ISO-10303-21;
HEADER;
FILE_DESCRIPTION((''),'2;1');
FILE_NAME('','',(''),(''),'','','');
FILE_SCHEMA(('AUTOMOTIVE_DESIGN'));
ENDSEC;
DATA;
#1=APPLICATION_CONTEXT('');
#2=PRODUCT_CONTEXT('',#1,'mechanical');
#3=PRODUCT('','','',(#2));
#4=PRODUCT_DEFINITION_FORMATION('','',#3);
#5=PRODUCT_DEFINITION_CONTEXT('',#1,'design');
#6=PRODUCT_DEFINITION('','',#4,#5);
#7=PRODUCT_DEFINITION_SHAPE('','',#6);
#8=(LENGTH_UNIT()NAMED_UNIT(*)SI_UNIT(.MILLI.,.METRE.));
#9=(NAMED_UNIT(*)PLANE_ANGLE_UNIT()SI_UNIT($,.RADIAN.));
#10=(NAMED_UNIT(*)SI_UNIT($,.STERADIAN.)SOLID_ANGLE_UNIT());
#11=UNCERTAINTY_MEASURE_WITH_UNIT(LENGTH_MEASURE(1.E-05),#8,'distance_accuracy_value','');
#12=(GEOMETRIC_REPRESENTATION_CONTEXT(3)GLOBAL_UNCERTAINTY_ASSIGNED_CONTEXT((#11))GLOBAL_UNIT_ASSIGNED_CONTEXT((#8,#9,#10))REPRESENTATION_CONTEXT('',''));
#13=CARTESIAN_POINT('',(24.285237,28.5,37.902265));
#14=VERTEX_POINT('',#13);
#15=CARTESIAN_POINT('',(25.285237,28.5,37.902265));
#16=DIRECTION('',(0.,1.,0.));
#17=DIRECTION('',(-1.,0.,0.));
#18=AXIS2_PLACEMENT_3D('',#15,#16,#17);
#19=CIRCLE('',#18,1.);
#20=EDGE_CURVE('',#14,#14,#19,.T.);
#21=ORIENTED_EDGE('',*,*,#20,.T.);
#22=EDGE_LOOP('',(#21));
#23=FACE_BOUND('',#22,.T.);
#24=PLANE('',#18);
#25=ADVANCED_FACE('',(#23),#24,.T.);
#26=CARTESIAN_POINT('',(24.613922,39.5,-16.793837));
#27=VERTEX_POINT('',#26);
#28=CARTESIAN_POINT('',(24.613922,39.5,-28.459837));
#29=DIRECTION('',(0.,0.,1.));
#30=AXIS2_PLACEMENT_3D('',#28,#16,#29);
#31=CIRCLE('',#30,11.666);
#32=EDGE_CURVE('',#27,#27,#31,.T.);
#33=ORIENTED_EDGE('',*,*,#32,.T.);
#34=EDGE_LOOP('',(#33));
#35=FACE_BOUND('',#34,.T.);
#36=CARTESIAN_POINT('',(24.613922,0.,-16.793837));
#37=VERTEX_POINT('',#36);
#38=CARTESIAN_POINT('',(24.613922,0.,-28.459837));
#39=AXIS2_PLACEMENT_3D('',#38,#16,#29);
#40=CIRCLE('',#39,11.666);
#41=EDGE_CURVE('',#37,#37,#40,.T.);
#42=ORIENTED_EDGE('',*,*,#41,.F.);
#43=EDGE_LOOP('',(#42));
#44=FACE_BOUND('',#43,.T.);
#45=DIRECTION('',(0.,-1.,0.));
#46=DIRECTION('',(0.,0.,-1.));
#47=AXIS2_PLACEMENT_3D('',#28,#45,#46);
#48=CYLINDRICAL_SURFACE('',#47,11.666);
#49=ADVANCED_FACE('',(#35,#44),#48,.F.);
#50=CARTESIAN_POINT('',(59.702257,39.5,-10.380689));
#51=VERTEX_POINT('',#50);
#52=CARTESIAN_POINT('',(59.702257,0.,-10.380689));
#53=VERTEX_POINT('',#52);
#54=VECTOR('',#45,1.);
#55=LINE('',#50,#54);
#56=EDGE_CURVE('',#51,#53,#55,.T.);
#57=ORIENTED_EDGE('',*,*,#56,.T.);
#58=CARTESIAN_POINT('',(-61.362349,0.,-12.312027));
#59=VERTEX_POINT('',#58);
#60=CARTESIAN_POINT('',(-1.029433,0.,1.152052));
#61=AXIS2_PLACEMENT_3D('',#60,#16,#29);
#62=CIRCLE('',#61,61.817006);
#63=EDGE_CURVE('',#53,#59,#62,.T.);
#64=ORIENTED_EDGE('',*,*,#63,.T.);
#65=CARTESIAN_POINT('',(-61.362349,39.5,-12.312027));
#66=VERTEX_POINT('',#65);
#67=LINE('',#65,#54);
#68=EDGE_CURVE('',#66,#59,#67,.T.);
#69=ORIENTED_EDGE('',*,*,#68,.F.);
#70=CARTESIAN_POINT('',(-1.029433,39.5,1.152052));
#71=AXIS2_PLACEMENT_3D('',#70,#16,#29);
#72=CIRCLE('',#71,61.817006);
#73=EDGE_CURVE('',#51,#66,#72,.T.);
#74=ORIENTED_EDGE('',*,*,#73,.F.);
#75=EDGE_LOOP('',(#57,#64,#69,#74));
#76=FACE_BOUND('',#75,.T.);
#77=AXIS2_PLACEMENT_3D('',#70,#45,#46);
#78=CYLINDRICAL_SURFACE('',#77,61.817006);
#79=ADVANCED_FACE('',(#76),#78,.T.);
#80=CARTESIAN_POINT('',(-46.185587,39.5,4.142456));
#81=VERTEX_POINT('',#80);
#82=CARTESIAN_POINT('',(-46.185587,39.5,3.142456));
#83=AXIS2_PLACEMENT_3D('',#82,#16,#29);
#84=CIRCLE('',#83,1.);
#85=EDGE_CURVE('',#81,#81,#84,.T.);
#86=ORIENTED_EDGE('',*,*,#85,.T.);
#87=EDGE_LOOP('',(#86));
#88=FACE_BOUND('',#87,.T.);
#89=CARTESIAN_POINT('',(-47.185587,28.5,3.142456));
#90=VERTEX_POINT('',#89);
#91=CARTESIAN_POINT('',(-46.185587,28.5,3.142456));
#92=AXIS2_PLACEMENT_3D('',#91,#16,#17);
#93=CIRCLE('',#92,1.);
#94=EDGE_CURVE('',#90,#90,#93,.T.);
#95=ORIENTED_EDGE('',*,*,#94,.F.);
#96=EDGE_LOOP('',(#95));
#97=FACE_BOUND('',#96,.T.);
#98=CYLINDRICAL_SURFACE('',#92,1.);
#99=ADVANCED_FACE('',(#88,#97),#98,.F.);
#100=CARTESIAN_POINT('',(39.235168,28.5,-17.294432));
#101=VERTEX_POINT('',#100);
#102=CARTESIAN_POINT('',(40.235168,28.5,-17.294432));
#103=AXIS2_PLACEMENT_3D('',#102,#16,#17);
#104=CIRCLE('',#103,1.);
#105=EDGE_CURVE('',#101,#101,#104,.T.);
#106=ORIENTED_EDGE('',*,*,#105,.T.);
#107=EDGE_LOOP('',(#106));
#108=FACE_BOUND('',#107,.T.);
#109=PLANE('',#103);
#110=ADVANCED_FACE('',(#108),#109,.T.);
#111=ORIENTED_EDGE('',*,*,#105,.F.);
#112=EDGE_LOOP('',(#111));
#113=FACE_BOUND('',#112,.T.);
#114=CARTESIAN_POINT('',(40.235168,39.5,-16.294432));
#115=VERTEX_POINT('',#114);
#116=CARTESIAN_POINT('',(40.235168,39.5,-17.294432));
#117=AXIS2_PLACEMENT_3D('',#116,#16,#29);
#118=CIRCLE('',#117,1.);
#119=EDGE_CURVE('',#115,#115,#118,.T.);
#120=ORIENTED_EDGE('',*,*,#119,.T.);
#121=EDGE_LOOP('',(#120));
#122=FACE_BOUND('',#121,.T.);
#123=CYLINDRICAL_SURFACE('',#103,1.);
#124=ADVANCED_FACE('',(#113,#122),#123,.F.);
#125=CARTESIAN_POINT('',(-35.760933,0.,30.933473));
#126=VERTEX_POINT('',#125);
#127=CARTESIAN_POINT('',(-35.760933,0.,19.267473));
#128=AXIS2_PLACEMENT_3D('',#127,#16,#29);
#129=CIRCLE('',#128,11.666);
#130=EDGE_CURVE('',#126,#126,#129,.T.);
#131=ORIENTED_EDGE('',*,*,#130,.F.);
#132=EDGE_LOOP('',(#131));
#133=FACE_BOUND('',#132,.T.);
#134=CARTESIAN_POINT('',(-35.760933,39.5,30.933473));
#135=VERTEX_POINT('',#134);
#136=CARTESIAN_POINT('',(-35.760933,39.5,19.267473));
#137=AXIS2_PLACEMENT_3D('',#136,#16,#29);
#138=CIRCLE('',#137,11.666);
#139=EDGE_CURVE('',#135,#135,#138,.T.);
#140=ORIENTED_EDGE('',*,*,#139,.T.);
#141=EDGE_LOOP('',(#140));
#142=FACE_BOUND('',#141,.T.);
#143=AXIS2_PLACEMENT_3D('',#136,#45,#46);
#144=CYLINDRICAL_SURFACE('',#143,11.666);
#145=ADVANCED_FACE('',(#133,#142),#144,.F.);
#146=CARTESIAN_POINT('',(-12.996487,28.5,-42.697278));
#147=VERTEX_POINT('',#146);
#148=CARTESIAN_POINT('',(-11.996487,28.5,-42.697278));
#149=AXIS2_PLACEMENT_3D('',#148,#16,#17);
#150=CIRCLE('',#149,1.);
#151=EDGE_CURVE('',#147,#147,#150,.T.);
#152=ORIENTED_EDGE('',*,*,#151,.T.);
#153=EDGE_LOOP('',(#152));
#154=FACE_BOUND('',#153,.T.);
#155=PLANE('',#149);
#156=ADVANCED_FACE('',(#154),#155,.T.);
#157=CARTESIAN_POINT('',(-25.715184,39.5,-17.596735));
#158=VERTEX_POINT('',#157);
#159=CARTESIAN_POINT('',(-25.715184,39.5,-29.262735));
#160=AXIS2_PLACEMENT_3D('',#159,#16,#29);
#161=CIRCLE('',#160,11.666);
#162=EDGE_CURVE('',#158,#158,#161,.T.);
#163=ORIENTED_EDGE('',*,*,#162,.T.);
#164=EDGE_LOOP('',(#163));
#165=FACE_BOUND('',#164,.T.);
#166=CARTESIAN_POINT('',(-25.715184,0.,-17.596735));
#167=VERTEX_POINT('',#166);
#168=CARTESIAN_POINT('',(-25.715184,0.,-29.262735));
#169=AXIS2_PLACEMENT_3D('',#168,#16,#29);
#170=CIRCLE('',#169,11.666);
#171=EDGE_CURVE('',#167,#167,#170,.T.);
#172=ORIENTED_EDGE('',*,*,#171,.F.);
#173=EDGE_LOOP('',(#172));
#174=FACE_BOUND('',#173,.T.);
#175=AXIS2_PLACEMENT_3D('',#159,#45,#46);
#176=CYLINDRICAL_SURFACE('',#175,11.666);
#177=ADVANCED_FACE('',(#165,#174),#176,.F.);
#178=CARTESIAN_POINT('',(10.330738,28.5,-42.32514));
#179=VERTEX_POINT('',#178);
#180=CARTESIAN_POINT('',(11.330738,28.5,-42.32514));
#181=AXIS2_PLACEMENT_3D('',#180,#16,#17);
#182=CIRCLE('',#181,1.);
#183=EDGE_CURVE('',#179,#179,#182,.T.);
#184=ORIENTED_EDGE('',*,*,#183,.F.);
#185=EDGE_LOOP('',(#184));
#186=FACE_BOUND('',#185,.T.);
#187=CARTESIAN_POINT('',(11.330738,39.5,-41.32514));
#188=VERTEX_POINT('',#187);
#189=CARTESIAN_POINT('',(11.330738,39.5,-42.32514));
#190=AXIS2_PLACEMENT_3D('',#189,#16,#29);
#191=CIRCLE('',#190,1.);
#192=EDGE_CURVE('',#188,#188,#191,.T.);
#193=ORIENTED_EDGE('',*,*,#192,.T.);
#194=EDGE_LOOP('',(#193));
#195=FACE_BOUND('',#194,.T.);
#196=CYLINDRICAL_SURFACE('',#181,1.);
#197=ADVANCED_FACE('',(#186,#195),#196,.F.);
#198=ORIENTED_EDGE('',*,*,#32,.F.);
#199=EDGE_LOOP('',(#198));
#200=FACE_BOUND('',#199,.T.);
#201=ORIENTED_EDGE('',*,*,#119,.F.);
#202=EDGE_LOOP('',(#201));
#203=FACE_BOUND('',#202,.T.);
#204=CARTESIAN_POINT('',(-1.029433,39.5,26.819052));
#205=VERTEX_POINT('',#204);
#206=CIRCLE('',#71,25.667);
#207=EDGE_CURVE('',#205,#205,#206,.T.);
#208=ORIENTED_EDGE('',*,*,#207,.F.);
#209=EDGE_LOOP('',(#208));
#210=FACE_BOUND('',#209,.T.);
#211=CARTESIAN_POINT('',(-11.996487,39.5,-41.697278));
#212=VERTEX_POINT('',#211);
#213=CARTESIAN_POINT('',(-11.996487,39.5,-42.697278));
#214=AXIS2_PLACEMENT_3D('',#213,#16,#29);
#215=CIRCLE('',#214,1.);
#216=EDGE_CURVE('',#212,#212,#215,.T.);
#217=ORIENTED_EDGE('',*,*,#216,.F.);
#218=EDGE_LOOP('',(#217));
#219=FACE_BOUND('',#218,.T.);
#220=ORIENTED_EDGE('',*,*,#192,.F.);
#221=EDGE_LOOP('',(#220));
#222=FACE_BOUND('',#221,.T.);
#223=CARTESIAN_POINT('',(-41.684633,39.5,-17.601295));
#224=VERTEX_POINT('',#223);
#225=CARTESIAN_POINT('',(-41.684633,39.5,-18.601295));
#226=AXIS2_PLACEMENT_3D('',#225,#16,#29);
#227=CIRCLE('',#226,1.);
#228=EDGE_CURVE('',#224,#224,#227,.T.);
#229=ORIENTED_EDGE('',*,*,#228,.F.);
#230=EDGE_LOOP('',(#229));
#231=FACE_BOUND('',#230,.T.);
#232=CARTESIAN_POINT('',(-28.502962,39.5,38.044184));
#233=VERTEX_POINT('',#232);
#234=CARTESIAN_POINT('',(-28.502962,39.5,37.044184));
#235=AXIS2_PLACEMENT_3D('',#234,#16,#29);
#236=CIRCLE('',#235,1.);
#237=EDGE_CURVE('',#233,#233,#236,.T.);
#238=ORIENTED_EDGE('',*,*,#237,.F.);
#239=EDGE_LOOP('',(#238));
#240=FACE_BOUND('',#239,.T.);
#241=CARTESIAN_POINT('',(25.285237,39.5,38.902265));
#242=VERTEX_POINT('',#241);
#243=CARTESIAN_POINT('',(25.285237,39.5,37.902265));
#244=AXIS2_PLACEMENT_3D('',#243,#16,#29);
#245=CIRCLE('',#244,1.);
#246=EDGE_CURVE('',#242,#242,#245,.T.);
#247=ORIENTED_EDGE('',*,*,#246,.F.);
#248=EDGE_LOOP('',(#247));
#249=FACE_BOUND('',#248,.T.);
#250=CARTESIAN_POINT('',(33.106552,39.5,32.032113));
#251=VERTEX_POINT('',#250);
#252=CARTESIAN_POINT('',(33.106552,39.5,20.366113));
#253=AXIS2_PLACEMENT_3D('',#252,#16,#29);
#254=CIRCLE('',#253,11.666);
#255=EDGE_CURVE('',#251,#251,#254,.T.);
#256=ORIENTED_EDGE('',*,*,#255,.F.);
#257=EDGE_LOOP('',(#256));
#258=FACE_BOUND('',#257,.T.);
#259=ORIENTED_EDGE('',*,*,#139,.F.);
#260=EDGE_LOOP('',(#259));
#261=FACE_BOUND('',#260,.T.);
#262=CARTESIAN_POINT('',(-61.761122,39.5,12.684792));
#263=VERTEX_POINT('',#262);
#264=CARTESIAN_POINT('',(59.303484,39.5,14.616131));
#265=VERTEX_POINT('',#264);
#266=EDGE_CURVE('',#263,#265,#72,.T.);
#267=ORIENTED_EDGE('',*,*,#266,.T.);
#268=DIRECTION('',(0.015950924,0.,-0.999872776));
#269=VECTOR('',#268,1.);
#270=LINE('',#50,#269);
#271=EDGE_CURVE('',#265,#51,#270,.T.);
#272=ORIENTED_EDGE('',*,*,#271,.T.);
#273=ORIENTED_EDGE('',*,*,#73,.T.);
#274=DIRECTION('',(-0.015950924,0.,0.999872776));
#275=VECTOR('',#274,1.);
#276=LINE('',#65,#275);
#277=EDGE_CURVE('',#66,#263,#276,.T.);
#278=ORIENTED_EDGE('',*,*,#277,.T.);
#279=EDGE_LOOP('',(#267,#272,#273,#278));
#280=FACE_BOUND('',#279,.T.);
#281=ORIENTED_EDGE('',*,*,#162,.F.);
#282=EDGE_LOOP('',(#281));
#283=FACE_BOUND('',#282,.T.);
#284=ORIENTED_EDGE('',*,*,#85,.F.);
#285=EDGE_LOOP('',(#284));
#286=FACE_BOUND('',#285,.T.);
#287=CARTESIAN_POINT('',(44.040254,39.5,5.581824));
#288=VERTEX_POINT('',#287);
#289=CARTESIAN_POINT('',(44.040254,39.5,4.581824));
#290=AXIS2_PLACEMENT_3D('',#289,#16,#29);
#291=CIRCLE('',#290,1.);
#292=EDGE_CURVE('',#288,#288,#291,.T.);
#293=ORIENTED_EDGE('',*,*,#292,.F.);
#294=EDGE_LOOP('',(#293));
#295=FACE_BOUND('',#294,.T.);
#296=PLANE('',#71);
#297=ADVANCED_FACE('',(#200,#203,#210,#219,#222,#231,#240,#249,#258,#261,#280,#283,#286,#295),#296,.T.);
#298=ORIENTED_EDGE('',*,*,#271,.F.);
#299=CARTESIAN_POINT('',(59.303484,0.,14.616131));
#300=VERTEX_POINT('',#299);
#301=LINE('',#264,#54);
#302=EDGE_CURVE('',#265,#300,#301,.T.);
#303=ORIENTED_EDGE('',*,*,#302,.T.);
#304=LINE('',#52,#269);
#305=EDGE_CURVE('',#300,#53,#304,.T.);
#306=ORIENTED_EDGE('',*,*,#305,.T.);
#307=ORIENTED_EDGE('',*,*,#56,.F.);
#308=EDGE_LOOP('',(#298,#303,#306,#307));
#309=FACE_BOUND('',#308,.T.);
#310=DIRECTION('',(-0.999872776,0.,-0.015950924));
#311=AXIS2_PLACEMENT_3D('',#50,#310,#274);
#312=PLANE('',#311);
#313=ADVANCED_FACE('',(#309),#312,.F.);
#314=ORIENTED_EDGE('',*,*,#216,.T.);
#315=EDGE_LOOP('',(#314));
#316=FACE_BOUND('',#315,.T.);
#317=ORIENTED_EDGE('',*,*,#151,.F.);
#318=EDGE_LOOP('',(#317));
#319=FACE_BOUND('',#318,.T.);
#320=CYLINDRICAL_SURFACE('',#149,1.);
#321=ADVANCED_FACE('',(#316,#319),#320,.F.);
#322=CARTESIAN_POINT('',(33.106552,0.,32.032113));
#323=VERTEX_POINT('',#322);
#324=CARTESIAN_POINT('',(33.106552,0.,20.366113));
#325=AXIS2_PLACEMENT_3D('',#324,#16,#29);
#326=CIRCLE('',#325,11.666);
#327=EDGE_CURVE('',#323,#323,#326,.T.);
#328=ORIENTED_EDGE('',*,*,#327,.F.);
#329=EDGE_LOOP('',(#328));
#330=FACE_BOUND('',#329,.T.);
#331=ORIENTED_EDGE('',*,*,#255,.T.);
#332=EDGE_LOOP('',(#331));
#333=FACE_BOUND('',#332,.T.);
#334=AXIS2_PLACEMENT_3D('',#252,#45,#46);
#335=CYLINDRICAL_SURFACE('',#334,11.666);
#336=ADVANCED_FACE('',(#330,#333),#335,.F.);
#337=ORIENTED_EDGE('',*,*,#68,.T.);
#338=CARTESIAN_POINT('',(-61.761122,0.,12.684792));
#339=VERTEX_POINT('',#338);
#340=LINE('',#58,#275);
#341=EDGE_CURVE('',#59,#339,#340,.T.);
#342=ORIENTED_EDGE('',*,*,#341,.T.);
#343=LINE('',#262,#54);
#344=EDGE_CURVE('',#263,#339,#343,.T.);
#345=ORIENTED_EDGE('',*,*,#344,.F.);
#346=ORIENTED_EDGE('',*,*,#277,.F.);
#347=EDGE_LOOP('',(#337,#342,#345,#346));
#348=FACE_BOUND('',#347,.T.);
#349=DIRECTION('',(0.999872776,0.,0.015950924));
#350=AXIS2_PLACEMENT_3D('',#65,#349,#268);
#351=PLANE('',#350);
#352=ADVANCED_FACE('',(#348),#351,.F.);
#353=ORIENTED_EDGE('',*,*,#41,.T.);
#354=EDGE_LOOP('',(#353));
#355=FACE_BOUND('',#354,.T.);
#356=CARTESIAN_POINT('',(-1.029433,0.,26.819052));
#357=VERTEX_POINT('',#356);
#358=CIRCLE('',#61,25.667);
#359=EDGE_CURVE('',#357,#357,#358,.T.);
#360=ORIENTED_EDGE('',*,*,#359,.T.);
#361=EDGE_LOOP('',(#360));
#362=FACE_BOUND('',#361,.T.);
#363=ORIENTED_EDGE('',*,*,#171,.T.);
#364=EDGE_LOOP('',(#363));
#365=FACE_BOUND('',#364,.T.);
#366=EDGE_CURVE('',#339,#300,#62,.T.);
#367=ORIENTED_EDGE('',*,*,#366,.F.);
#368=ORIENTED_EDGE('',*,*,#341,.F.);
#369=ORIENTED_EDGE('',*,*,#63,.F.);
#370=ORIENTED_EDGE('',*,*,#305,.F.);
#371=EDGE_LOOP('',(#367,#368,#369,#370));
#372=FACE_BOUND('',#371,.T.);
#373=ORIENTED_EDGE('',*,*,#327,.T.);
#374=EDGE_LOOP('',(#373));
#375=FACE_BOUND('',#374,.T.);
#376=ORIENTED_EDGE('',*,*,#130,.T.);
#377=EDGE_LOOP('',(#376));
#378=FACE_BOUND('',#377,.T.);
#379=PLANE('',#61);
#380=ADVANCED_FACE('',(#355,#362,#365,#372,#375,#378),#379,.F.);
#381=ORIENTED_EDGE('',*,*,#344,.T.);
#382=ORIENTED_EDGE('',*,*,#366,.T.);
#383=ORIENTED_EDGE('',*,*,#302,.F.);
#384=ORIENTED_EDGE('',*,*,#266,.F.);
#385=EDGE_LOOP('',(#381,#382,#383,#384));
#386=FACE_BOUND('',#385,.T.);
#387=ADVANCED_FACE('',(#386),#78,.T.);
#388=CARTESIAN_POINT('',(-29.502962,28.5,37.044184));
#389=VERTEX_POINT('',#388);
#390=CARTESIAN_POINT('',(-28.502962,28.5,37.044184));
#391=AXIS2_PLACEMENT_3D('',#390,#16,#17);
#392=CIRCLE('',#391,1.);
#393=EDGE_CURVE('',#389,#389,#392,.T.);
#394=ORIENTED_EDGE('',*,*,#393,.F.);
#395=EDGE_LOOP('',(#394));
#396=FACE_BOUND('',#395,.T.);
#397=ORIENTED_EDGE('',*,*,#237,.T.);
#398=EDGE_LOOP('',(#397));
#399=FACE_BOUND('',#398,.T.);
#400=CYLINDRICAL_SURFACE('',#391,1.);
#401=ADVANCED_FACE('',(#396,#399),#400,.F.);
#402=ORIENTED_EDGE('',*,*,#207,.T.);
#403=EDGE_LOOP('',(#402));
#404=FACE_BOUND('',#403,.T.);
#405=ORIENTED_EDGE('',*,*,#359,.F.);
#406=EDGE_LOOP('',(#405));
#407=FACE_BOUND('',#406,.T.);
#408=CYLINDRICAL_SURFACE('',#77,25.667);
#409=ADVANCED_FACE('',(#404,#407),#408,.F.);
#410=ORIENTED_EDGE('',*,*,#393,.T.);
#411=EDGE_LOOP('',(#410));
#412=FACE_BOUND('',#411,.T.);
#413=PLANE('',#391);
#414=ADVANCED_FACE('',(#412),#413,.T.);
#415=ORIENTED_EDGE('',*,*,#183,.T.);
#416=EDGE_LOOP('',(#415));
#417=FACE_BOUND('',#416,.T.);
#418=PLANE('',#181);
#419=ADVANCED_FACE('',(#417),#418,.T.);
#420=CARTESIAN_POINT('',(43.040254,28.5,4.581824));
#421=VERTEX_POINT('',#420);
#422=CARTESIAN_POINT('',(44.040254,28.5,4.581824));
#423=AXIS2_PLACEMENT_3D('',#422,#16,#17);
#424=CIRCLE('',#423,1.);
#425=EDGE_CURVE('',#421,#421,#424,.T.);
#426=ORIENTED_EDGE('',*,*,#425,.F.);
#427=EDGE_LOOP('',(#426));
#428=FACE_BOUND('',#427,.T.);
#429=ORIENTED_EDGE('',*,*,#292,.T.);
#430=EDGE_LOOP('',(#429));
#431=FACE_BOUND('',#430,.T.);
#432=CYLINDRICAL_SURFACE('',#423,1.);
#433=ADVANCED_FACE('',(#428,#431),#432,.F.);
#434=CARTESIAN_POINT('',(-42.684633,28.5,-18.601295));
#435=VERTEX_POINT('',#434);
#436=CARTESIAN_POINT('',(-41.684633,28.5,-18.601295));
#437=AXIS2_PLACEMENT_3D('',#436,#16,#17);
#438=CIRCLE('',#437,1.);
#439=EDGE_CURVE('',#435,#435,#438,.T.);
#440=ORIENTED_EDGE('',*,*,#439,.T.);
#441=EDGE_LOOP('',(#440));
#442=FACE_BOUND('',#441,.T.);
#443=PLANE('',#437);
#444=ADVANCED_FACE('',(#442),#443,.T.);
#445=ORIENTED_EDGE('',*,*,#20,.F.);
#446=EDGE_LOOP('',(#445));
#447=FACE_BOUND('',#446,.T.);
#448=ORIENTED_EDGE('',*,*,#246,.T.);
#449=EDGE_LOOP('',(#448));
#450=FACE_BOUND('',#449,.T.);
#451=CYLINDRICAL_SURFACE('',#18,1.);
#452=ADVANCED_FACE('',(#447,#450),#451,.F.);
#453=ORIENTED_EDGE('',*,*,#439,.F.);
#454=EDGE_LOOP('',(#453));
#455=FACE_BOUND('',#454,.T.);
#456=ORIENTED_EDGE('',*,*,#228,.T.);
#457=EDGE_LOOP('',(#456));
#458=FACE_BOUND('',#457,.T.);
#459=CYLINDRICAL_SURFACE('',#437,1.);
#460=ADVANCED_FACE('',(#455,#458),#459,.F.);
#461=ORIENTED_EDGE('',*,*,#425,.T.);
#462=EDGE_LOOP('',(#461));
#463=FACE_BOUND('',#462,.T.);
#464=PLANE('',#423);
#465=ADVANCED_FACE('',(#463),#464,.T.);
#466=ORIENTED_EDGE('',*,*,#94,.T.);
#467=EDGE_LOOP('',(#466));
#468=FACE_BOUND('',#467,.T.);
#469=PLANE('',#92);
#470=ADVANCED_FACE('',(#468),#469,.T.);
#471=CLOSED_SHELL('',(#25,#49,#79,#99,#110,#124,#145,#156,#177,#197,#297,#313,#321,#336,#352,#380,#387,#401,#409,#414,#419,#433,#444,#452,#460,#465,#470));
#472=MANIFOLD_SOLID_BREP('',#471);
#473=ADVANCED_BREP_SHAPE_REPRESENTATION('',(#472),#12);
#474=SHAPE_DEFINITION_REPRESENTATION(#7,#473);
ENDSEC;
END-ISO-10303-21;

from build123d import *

# Parameters (mm, degrees)
SKETCH1_R           = 25.667
SKETCH1_R_2         = 11.666
BOSS_EXTRUDE1_DEPTH = 39.5
SKETCH3_R           = 1
CUT_EXTRUDE2_DEPTH  = 12


with BuildPart() as part:
    # Sketch1 → Boss-Extrude1 (new body)
    with BuildSketch(Plane(origin=(0, 0, 0), x_dir=(0.9998860245595665, 0, -0.015097612078275651), z_dir=(0, 1, 0))):
        with BuildLine():
            Line((-61.169473244, 13.237048576), (-61.945593174, -11.750901277))
            ThreePointArc((-61.945593174, -11.750901277), (-2.965804858, -62.923588573), (59.076056366, -15.509805654))
            Line((59.076056366, -15.509805654), (59.852176295, 9.478144199))
            ThreePointArc((59.852176295, 9.478144199), (0.872387979, 60.650831495), (-61.169473244, 13.237048576))
        make_face()
        with Locations(Location((-1.046708439, -1.136378539, 0), (0, 0, 269.134937682))):
            Circle(SKETCH1_R, mode=Mode.SUBTRACT)
        with Locations(Location((-25.270455744, 29.647637614, 0), (0, 0, 269.134937682))):
            Circle(SKETCH1_R_2, mode=Mode.SUBTRACT)
        with Locations(Location((25.040791951, 28.084981925, 0), (0, 0, 269.134937682))):
            Circle(SKETCH1_R_2, mode=Mode.SUBTRACT)
        with Locations(Location((32.795299128, -20.863621322, 0), (0, 0, 269.134937682))):
            Circle(SKETCH1_R_2, mode=Mode.SUBTRACT)
        with Locations(Location((-36.047749659, -18.725372188, 0), (0, 0, 269.134937682))):
            Circle(SKETCH1_R_2, mode=Mode.SUBTRACT)
    extrude(amount=BOSS_EXTRUDE1_DEPTH)

    # Sketch3 → Cut-Extrude2 (cut)
    with BuildSketch(Plane(origin=(-5.108058327, 40.5, 5.9056653), x_dir=(0.9998727759206764, 0, 0.01595092388174038), z_dir=(0, 1, 0))):
        with Locations(Location((-7.662813984, 48.486882974, 0), (0, 0, 180.913959377))):
            Circle(SKETCH3_R)
        with Locations(Location((15.667378709, 48.486882974, 0), (0, 0, 180.913959377))):
            Circle(SKETCH3_R)
        with Locations(Location((44.967394337, 23.920411988, 0), (0, 0, 180.913959377))):
            Circle(SKETCH3_R)
        with Locations(Location((49.120943166, 2.107633512, 0), (0, 0, 180.913959377))):
            Circle(SKETCH3_R)
        with Locations(Location((30.899804125, -31.507727626, 0), (0, 0, 180.913959377))):
            Circle(SKETCH3_R)
        with Locations(Location((-22.895239399, -31.507727626, 0), (0, 0, 180.913959377))):
            Circle(SKETCH3_R)
        with Locations(Location((-41.116378441, 2.107633512, 0), (0, 0, 180.913959377))):
            Circle(SKETCH3_R)
        with Locations(Location((-36.962829611, 23.920411988, 0), (0, 0, 180.913959377))):
            Circle(SKETCH3_R)
    extrude(amount=-CUT_EXTRUDE2_DEPTH, mode=Mode.SUBTRACT)


solid = part.part
